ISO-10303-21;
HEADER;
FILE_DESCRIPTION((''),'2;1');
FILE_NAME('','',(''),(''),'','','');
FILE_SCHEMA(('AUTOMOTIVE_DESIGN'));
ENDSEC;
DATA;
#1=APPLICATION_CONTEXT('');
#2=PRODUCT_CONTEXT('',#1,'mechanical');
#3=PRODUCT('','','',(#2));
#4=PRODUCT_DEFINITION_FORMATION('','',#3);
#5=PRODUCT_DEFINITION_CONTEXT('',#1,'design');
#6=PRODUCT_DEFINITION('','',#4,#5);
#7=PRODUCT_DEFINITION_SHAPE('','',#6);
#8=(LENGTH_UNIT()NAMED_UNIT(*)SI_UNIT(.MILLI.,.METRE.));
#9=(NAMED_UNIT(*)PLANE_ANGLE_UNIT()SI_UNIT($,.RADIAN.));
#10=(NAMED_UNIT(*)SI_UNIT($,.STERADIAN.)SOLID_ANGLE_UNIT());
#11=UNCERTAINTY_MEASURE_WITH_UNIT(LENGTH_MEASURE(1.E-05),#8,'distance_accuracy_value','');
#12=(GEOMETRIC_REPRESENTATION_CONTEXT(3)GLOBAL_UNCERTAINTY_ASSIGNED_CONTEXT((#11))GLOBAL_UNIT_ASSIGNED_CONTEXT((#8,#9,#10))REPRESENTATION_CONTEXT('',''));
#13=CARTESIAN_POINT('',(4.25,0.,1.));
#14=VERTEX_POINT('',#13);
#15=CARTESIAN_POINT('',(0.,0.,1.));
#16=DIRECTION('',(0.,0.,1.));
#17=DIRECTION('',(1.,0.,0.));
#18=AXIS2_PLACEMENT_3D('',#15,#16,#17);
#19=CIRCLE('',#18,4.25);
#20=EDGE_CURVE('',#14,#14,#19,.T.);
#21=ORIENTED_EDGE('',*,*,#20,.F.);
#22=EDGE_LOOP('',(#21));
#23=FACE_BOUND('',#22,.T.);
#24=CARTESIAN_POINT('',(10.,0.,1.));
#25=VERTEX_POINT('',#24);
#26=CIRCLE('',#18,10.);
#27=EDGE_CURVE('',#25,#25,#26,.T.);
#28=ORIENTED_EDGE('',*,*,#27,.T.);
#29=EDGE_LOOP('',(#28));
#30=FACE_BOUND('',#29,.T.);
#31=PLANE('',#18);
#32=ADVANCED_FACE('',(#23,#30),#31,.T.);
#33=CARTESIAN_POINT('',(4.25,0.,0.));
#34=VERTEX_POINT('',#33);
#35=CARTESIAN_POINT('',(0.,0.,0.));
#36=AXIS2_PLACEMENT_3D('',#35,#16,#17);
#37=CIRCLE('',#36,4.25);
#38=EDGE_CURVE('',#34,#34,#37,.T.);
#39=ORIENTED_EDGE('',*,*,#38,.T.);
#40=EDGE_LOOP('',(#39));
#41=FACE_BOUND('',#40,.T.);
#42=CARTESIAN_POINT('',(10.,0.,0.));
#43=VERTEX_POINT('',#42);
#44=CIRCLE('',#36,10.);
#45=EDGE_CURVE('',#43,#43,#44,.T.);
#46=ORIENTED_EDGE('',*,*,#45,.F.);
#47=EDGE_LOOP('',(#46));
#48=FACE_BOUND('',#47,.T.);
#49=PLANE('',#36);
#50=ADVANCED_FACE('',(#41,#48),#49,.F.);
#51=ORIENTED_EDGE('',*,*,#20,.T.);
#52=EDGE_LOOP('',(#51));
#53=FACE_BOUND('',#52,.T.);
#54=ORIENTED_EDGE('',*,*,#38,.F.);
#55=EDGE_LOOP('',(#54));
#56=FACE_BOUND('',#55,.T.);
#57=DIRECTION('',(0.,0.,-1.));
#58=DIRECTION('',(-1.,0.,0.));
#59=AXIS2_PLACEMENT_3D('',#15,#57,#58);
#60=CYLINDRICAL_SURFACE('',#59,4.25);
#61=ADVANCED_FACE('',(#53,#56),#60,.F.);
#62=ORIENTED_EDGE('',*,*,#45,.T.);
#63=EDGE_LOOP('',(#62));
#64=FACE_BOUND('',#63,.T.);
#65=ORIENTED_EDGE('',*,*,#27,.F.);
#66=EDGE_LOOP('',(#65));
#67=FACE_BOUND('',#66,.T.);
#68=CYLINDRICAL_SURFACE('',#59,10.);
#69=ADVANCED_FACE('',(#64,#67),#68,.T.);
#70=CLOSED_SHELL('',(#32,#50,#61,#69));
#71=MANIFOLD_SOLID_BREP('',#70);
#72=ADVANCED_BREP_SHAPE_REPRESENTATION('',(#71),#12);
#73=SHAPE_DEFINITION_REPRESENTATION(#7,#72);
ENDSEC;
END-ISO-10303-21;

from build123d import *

# Parameters (mm, degrees)
SKETCH_1_R      = 10
SKETCH_1_R_2    = 4.25
EXTRUDE_1_DEPTH = 1


with BuildPart() as part:
    # Эскиз1 → Бобышка-Вытянуть1 (new body)
    with BuildSketch(Plane.XY):
        Circle(SKETCH_1_R)
        Circle(SKETCH_1_R_2, mode=Mode.SUBTRACT)
    extrude(amount=EXTRUDE_1_DEPTH)


solid = part.part
